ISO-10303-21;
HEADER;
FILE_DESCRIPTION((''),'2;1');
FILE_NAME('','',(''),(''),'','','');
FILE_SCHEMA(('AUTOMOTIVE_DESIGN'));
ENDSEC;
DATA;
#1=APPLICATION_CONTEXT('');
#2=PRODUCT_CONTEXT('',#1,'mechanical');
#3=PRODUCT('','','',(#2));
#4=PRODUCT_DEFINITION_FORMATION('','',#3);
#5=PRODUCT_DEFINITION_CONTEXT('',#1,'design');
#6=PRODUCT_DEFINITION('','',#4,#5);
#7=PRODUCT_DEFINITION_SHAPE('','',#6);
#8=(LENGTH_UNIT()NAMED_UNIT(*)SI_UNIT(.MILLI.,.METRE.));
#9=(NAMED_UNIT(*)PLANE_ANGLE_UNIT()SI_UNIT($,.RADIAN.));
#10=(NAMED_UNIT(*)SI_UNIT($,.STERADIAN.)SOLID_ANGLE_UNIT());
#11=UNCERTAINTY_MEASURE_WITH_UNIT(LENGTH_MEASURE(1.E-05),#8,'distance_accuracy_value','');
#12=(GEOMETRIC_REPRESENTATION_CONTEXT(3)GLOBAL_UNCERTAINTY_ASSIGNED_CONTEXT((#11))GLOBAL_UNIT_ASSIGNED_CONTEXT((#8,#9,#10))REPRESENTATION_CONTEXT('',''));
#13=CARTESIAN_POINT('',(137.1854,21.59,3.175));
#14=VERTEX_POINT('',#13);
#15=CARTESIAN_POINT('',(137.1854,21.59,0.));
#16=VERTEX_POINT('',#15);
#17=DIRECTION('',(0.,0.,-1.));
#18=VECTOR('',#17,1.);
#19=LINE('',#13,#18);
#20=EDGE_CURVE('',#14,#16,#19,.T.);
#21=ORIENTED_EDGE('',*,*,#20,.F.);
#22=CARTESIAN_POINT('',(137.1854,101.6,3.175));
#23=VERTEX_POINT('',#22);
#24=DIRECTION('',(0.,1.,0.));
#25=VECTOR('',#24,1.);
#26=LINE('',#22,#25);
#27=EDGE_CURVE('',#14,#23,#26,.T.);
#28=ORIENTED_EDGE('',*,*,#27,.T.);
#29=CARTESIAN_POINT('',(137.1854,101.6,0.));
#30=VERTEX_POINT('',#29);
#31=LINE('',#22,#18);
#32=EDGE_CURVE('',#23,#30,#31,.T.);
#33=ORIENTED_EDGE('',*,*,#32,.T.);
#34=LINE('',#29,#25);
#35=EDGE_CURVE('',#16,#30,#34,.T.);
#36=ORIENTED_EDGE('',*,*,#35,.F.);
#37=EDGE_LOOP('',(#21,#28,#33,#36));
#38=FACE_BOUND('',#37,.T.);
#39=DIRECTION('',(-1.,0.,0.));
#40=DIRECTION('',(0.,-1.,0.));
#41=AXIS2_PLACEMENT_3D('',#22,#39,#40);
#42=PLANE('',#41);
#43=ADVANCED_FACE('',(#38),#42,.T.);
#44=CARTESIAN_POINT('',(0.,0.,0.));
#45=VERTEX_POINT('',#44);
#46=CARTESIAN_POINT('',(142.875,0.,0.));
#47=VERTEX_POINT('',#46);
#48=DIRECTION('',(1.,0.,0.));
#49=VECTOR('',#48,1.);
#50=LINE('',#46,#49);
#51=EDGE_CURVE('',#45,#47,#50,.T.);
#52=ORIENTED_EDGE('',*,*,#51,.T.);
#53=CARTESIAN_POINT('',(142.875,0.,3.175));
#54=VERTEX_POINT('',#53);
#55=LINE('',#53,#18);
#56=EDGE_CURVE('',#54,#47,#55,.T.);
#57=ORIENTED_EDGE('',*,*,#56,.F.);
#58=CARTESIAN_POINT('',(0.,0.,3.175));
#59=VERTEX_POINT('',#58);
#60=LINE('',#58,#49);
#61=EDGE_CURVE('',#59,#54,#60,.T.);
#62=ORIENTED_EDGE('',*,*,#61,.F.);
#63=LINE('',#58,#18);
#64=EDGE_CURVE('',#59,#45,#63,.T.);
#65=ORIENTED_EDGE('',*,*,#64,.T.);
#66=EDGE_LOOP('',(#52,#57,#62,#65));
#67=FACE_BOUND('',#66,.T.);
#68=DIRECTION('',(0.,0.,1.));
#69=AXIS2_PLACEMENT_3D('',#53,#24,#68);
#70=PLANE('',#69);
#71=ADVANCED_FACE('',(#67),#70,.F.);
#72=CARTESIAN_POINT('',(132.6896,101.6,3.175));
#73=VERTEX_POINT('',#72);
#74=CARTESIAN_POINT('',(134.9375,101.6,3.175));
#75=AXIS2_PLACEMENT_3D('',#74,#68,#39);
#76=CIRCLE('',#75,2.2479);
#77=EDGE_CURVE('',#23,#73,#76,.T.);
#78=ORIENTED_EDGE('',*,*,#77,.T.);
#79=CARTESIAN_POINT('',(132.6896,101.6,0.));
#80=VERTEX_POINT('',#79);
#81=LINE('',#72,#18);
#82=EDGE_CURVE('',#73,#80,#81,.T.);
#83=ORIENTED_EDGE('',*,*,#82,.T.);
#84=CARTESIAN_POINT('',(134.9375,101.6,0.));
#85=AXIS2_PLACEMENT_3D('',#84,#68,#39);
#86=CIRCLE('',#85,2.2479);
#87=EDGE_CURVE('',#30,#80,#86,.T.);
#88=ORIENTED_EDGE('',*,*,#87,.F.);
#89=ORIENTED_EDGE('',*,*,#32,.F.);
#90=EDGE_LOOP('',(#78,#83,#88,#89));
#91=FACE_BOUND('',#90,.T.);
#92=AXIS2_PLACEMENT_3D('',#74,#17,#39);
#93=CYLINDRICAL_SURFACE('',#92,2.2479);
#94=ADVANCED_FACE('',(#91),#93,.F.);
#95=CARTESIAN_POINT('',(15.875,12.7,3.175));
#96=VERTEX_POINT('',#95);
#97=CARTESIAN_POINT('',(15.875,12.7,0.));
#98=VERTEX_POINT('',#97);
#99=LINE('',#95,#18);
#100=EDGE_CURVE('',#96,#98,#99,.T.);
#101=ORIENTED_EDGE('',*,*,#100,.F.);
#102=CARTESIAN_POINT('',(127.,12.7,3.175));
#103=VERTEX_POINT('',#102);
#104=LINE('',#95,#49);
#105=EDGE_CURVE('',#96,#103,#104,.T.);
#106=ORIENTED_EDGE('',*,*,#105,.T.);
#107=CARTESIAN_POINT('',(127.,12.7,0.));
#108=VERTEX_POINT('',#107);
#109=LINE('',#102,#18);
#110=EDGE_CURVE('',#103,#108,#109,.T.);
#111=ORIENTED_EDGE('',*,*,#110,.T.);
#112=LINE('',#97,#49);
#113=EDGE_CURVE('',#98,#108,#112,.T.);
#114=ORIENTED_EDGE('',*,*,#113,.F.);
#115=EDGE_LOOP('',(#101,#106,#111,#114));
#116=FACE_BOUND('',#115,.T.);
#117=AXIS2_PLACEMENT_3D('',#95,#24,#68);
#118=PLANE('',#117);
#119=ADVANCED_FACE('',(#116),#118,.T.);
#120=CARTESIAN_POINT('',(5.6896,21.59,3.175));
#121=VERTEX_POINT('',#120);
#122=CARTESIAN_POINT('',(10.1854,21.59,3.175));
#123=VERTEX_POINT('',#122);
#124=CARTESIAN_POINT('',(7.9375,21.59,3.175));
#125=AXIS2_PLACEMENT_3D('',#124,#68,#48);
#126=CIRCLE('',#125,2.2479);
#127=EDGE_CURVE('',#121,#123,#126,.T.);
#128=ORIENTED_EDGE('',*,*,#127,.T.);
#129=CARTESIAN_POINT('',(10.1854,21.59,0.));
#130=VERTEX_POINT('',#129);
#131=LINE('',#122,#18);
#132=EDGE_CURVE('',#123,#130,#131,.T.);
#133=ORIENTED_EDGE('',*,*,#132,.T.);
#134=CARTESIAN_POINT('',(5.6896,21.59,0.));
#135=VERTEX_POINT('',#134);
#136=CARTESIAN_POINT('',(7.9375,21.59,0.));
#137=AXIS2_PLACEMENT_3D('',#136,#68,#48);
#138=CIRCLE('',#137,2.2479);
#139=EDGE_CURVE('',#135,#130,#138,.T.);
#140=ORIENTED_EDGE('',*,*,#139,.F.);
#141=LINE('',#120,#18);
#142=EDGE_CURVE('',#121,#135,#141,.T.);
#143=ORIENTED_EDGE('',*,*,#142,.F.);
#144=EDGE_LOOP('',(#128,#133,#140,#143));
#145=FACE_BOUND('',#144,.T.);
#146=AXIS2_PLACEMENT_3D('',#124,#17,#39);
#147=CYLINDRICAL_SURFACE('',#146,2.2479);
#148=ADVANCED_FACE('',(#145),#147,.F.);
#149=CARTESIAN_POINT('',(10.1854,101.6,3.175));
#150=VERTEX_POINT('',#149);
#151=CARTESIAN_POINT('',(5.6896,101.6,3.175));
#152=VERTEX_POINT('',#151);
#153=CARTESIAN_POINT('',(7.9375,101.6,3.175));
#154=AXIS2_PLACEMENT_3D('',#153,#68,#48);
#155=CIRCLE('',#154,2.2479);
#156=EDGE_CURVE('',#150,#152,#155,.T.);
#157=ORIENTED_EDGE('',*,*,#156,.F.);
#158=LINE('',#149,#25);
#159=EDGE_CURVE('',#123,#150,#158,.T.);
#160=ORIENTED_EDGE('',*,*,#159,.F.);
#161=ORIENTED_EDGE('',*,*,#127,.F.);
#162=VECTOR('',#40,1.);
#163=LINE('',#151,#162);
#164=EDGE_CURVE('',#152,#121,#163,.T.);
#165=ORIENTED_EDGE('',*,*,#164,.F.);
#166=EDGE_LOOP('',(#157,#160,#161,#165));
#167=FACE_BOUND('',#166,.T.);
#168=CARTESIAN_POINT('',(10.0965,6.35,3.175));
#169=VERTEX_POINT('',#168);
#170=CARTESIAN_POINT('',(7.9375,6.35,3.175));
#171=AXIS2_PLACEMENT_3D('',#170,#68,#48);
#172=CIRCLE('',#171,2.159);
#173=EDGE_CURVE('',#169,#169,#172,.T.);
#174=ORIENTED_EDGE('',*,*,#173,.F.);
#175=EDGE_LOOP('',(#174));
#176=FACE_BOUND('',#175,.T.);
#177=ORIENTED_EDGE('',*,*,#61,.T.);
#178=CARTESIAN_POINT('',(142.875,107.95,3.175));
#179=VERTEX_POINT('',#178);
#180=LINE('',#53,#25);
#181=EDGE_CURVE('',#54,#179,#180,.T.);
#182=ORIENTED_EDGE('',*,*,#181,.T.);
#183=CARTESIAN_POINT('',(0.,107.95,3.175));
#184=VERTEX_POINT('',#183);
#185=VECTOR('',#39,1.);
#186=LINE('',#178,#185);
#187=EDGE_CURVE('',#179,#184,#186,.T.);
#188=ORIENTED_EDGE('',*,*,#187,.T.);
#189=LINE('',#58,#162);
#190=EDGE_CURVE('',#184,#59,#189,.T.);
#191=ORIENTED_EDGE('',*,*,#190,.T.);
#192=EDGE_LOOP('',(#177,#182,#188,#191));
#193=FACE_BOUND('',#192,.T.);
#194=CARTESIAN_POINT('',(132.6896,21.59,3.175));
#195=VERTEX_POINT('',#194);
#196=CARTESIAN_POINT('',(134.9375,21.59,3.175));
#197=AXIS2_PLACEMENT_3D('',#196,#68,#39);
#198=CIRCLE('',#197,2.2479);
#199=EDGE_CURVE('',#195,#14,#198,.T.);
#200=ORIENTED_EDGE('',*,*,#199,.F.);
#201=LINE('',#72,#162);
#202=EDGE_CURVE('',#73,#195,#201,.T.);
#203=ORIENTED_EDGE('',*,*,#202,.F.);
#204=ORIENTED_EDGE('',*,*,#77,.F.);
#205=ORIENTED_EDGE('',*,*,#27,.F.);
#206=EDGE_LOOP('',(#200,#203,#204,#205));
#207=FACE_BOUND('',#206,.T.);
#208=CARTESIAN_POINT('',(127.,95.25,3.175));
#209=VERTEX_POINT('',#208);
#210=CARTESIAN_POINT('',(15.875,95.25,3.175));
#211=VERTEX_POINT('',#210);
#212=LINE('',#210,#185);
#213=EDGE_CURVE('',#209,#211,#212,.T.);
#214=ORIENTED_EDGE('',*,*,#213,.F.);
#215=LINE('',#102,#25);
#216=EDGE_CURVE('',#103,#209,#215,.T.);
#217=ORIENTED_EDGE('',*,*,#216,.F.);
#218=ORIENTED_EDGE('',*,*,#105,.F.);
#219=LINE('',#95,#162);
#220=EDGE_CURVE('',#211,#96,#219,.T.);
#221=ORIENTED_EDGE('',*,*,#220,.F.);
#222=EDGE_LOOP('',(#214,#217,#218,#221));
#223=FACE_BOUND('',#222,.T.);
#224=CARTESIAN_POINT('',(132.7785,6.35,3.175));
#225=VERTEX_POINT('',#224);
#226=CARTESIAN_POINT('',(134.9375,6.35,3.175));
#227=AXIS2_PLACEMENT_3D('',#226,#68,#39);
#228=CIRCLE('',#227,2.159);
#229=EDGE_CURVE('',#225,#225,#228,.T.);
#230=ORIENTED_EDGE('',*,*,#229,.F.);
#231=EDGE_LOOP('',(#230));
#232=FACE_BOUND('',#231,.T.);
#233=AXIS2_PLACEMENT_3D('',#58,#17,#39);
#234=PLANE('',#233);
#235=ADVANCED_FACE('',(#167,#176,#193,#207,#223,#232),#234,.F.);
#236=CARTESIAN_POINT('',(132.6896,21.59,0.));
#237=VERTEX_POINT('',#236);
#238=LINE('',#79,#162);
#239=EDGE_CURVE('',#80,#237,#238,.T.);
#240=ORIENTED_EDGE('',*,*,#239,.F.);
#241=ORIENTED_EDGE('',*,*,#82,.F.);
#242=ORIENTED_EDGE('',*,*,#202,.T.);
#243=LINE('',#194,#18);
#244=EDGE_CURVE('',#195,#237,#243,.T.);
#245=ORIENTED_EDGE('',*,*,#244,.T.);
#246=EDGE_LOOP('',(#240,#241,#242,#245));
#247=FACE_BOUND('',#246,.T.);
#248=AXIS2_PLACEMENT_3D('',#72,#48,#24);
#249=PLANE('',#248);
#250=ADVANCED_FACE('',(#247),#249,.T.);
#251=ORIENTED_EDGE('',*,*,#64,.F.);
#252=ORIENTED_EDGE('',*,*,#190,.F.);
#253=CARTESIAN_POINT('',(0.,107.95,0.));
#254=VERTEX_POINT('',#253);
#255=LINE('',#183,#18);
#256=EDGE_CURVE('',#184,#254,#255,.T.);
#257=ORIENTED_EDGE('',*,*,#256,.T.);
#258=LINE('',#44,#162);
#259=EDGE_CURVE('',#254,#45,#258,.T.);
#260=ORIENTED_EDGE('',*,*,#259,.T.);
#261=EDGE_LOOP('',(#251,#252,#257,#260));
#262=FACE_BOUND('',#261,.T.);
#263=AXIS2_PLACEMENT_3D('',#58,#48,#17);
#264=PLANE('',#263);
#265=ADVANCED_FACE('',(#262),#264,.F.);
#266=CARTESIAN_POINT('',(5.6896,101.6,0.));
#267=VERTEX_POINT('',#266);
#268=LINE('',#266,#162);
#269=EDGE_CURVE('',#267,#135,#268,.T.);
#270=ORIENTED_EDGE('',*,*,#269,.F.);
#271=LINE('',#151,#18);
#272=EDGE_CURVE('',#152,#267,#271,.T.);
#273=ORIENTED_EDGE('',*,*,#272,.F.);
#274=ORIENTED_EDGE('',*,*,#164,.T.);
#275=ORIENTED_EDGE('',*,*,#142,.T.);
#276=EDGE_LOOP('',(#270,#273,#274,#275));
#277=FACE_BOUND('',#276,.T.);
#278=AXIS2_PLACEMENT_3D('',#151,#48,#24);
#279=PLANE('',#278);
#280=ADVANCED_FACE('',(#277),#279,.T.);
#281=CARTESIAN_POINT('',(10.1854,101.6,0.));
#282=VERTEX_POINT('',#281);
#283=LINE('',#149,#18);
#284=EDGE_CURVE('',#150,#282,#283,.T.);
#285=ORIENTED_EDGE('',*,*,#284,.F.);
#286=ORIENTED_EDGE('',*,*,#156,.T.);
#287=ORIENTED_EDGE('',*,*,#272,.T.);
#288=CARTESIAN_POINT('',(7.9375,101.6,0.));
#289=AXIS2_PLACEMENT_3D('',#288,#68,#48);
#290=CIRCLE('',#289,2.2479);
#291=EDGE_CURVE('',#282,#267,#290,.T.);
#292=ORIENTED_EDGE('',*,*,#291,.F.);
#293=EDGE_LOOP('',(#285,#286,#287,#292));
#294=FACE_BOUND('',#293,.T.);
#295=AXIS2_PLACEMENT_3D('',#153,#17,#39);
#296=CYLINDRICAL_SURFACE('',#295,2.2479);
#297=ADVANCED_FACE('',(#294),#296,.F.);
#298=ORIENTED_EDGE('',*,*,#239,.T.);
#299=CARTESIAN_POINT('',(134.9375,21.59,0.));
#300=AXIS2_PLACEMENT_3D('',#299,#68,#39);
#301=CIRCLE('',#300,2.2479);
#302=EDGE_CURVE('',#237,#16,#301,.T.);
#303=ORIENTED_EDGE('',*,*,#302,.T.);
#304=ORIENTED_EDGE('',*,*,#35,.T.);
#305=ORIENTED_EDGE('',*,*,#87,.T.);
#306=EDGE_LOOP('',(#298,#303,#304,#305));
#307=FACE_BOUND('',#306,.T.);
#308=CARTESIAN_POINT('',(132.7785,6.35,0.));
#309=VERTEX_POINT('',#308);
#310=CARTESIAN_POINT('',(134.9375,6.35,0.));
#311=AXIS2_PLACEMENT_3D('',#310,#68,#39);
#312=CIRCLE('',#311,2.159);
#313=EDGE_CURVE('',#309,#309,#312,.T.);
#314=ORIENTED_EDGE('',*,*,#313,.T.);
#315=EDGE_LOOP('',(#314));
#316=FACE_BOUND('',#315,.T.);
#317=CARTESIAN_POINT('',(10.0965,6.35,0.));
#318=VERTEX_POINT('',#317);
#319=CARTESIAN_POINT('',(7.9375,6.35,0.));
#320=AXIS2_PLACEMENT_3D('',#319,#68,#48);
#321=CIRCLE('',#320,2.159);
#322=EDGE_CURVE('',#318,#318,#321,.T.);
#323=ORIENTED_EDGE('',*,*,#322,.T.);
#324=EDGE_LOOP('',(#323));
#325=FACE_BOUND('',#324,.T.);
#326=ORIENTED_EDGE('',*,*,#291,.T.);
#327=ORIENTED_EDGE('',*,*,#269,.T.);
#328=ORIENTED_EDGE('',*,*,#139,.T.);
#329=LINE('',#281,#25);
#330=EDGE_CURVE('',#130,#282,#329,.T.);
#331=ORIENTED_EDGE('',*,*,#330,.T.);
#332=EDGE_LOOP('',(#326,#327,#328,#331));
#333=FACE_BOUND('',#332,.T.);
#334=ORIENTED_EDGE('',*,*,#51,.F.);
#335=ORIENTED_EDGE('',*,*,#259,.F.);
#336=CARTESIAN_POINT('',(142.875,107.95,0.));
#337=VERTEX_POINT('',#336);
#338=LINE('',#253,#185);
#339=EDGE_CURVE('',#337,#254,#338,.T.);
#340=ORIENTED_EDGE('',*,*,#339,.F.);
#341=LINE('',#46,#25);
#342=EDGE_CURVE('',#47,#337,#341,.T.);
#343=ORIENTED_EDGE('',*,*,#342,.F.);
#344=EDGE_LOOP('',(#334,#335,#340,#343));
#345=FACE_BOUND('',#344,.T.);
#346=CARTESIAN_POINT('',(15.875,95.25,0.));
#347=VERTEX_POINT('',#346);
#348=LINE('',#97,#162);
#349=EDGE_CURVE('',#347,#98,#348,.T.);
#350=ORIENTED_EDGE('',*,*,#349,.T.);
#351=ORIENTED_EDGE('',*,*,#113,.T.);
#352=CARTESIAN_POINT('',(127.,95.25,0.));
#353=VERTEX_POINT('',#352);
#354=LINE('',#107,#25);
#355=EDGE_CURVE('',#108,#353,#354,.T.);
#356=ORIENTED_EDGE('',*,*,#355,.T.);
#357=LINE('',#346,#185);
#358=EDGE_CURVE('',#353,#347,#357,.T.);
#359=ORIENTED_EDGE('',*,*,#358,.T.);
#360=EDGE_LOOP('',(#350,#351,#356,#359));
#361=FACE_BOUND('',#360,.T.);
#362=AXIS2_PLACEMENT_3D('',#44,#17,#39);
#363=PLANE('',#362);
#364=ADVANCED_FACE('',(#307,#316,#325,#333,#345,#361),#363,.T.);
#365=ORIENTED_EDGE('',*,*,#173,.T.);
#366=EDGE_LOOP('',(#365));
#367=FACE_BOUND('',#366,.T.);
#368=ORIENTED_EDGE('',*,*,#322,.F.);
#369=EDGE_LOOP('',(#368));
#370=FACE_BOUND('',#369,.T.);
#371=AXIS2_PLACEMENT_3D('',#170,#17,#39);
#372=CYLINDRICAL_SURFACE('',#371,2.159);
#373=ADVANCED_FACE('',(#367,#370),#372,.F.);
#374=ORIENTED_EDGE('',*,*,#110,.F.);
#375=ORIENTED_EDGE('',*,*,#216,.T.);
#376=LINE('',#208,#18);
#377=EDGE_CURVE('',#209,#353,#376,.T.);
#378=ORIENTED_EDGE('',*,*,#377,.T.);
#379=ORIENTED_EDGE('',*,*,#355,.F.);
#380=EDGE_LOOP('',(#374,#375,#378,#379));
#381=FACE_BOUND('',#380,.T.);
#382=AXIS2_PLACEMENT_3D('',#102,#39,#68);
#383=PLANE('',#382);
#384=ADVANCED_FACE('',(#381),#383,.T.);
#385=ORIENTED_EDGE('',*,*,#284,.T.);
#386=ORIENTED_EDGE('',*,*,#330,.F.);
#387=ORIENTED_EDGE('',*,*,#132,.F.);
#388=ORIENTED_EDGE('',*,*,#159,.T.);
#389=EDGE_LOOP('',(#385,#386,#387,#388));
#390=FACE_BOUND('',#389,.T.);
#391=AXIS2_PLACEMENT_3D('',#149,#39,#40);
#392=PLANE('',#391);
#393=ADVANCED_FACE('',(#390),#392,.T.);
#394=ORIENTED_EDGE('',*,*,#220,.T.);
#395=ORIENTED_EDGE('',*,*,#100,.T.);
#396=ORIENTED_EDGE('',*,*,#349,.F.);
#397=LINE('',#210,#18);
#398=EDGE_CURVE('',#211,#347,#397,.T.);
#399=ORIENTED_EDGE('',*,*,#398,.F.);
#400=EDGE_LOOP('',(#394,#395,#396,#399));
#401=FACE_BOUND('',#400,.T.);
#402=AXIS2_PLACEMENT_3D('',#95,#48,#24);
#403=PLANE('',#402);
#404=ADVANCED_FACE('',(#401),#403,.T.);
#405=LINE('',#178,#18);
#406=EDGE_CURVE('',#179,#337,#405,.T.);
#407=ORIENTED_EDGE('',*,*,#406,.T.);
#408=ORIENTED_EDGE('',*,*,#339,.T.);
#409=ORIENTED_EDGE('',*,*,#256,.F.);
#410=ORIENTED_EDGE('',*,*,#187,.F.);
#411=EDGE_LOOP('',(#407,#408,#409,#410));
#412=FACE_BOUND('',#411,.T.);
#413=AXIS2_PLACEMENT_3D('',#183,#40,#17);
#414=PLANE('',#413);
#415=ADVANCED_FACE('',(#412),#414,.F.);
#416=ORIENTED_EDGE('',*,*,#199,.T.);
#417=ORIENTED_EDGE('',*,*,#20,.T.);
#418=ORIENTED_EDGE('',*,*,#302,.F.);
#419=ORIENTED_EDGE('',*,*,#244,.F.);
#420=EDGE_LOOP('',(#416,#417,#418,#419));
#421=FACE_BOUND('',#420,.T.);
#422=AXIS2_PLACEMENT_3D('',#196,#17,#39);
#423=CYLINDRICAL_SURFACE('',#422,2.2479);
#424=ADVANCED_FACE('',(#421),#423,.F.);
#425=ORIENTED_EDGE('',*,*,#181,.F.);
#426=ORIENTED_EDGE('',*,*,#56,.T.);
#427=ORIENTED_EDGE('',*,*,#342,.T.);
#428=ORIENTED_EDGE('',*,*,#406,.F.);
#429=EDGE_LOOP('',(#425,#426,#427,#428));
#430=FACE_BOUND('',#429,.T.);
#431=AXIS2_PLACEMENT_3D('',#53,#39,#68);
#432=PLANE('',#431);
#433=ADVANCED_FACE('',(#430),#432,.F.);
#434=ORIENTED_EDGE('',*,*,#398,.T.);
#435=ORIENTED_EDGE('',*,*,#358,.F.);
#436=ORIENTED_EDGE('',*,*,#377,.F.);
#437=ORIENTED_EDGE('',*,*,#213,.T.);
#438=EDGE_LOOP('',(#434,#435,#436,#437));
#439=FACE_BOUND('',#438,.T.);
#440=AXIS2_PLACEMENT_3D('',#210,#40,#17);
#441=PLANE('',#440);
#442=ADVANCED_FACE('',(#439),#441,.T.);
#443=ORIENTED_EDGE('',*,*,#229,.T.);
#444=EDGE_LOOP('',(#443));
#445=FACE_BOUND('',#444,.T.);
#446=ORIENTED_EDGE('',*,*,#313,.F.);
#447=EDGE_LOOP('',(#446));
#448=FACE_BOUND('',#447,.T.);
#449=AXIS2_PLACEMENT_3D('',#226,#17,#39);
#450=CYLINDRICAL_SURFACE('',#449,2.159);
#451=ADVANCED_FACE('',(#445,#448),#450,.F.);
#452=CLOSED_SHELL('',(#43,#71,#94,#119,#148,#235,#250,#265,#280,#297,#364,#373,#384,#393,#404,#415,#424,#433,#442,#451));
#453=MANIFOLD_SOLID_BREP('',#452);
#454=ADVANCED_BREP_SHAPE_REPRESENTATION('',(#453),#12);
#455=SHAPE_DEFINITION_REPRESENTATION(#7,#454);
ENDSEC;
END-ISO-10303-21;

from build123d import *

# Parameters (mm, degrees)
SKETCH1_R           = 2.159
SKETCH1_W           = 111.125
SKETCH1_H           = 82.55
BOSS_EXTRUDE1_DEPTH = 3.175


with BuildPart() as part:
    # Sketch1 → Boss-Extrude1 (new body)
    with BuildSketch(Plane.XY):
        Polygon((0, 0), (15.875, 0), (127, 0), (142.875, 0), (142.875, 107.95), (127, 107.95), (15.875, 107.95), (0, 107.95), align=None)
        with Locations((7.9375, 6.35)):
            Circle(SKETCH1_R, mode=Mode.SUBTRACT)
        with Locations((134.9375, 6.35)):
            Circle(SKETCH1_R, mode=Mode.SUBTRACT)
        with BuildLine():
            Line((10.1854, 101.6), (10.1854, 21.59))
            ThreePointArc((10.1854, 21.59), (7.9375, 19.3421), (5.6896, 21.59))
            Line((5.6896, 21.59), (5.6896, 101.6))
            ThreePointArc((5.6896, 101.6), (7.9375, 103.8479), (10.1854, 101.6))
        make_face(mode=Mode.SUBTRACT)
        with Locations((71.4375, 53.975)):
            Rectangle(SKETCH1_W, SKETCH1_H, mode=Mode.SUBTRACT)
        with BuildLine():
            Line((132.6896, 101.6), (132.6896, 21.59))
            ThreePointArc((132.6896, 21.59), (134.9375, 19.3421), (137.1854, 21.59))
            Line((137.1854, 21.59), (137.1854, 101.6))
            ThreePointArc((137.1854, 101.6), (134.9375, 103.8479), (132.6896, 101.6))
        make_face(mode=Mode.SUBTRACT)
    extrude(amount=BOSS_EXTRUDE1_DEPTH)


solid = part.part
